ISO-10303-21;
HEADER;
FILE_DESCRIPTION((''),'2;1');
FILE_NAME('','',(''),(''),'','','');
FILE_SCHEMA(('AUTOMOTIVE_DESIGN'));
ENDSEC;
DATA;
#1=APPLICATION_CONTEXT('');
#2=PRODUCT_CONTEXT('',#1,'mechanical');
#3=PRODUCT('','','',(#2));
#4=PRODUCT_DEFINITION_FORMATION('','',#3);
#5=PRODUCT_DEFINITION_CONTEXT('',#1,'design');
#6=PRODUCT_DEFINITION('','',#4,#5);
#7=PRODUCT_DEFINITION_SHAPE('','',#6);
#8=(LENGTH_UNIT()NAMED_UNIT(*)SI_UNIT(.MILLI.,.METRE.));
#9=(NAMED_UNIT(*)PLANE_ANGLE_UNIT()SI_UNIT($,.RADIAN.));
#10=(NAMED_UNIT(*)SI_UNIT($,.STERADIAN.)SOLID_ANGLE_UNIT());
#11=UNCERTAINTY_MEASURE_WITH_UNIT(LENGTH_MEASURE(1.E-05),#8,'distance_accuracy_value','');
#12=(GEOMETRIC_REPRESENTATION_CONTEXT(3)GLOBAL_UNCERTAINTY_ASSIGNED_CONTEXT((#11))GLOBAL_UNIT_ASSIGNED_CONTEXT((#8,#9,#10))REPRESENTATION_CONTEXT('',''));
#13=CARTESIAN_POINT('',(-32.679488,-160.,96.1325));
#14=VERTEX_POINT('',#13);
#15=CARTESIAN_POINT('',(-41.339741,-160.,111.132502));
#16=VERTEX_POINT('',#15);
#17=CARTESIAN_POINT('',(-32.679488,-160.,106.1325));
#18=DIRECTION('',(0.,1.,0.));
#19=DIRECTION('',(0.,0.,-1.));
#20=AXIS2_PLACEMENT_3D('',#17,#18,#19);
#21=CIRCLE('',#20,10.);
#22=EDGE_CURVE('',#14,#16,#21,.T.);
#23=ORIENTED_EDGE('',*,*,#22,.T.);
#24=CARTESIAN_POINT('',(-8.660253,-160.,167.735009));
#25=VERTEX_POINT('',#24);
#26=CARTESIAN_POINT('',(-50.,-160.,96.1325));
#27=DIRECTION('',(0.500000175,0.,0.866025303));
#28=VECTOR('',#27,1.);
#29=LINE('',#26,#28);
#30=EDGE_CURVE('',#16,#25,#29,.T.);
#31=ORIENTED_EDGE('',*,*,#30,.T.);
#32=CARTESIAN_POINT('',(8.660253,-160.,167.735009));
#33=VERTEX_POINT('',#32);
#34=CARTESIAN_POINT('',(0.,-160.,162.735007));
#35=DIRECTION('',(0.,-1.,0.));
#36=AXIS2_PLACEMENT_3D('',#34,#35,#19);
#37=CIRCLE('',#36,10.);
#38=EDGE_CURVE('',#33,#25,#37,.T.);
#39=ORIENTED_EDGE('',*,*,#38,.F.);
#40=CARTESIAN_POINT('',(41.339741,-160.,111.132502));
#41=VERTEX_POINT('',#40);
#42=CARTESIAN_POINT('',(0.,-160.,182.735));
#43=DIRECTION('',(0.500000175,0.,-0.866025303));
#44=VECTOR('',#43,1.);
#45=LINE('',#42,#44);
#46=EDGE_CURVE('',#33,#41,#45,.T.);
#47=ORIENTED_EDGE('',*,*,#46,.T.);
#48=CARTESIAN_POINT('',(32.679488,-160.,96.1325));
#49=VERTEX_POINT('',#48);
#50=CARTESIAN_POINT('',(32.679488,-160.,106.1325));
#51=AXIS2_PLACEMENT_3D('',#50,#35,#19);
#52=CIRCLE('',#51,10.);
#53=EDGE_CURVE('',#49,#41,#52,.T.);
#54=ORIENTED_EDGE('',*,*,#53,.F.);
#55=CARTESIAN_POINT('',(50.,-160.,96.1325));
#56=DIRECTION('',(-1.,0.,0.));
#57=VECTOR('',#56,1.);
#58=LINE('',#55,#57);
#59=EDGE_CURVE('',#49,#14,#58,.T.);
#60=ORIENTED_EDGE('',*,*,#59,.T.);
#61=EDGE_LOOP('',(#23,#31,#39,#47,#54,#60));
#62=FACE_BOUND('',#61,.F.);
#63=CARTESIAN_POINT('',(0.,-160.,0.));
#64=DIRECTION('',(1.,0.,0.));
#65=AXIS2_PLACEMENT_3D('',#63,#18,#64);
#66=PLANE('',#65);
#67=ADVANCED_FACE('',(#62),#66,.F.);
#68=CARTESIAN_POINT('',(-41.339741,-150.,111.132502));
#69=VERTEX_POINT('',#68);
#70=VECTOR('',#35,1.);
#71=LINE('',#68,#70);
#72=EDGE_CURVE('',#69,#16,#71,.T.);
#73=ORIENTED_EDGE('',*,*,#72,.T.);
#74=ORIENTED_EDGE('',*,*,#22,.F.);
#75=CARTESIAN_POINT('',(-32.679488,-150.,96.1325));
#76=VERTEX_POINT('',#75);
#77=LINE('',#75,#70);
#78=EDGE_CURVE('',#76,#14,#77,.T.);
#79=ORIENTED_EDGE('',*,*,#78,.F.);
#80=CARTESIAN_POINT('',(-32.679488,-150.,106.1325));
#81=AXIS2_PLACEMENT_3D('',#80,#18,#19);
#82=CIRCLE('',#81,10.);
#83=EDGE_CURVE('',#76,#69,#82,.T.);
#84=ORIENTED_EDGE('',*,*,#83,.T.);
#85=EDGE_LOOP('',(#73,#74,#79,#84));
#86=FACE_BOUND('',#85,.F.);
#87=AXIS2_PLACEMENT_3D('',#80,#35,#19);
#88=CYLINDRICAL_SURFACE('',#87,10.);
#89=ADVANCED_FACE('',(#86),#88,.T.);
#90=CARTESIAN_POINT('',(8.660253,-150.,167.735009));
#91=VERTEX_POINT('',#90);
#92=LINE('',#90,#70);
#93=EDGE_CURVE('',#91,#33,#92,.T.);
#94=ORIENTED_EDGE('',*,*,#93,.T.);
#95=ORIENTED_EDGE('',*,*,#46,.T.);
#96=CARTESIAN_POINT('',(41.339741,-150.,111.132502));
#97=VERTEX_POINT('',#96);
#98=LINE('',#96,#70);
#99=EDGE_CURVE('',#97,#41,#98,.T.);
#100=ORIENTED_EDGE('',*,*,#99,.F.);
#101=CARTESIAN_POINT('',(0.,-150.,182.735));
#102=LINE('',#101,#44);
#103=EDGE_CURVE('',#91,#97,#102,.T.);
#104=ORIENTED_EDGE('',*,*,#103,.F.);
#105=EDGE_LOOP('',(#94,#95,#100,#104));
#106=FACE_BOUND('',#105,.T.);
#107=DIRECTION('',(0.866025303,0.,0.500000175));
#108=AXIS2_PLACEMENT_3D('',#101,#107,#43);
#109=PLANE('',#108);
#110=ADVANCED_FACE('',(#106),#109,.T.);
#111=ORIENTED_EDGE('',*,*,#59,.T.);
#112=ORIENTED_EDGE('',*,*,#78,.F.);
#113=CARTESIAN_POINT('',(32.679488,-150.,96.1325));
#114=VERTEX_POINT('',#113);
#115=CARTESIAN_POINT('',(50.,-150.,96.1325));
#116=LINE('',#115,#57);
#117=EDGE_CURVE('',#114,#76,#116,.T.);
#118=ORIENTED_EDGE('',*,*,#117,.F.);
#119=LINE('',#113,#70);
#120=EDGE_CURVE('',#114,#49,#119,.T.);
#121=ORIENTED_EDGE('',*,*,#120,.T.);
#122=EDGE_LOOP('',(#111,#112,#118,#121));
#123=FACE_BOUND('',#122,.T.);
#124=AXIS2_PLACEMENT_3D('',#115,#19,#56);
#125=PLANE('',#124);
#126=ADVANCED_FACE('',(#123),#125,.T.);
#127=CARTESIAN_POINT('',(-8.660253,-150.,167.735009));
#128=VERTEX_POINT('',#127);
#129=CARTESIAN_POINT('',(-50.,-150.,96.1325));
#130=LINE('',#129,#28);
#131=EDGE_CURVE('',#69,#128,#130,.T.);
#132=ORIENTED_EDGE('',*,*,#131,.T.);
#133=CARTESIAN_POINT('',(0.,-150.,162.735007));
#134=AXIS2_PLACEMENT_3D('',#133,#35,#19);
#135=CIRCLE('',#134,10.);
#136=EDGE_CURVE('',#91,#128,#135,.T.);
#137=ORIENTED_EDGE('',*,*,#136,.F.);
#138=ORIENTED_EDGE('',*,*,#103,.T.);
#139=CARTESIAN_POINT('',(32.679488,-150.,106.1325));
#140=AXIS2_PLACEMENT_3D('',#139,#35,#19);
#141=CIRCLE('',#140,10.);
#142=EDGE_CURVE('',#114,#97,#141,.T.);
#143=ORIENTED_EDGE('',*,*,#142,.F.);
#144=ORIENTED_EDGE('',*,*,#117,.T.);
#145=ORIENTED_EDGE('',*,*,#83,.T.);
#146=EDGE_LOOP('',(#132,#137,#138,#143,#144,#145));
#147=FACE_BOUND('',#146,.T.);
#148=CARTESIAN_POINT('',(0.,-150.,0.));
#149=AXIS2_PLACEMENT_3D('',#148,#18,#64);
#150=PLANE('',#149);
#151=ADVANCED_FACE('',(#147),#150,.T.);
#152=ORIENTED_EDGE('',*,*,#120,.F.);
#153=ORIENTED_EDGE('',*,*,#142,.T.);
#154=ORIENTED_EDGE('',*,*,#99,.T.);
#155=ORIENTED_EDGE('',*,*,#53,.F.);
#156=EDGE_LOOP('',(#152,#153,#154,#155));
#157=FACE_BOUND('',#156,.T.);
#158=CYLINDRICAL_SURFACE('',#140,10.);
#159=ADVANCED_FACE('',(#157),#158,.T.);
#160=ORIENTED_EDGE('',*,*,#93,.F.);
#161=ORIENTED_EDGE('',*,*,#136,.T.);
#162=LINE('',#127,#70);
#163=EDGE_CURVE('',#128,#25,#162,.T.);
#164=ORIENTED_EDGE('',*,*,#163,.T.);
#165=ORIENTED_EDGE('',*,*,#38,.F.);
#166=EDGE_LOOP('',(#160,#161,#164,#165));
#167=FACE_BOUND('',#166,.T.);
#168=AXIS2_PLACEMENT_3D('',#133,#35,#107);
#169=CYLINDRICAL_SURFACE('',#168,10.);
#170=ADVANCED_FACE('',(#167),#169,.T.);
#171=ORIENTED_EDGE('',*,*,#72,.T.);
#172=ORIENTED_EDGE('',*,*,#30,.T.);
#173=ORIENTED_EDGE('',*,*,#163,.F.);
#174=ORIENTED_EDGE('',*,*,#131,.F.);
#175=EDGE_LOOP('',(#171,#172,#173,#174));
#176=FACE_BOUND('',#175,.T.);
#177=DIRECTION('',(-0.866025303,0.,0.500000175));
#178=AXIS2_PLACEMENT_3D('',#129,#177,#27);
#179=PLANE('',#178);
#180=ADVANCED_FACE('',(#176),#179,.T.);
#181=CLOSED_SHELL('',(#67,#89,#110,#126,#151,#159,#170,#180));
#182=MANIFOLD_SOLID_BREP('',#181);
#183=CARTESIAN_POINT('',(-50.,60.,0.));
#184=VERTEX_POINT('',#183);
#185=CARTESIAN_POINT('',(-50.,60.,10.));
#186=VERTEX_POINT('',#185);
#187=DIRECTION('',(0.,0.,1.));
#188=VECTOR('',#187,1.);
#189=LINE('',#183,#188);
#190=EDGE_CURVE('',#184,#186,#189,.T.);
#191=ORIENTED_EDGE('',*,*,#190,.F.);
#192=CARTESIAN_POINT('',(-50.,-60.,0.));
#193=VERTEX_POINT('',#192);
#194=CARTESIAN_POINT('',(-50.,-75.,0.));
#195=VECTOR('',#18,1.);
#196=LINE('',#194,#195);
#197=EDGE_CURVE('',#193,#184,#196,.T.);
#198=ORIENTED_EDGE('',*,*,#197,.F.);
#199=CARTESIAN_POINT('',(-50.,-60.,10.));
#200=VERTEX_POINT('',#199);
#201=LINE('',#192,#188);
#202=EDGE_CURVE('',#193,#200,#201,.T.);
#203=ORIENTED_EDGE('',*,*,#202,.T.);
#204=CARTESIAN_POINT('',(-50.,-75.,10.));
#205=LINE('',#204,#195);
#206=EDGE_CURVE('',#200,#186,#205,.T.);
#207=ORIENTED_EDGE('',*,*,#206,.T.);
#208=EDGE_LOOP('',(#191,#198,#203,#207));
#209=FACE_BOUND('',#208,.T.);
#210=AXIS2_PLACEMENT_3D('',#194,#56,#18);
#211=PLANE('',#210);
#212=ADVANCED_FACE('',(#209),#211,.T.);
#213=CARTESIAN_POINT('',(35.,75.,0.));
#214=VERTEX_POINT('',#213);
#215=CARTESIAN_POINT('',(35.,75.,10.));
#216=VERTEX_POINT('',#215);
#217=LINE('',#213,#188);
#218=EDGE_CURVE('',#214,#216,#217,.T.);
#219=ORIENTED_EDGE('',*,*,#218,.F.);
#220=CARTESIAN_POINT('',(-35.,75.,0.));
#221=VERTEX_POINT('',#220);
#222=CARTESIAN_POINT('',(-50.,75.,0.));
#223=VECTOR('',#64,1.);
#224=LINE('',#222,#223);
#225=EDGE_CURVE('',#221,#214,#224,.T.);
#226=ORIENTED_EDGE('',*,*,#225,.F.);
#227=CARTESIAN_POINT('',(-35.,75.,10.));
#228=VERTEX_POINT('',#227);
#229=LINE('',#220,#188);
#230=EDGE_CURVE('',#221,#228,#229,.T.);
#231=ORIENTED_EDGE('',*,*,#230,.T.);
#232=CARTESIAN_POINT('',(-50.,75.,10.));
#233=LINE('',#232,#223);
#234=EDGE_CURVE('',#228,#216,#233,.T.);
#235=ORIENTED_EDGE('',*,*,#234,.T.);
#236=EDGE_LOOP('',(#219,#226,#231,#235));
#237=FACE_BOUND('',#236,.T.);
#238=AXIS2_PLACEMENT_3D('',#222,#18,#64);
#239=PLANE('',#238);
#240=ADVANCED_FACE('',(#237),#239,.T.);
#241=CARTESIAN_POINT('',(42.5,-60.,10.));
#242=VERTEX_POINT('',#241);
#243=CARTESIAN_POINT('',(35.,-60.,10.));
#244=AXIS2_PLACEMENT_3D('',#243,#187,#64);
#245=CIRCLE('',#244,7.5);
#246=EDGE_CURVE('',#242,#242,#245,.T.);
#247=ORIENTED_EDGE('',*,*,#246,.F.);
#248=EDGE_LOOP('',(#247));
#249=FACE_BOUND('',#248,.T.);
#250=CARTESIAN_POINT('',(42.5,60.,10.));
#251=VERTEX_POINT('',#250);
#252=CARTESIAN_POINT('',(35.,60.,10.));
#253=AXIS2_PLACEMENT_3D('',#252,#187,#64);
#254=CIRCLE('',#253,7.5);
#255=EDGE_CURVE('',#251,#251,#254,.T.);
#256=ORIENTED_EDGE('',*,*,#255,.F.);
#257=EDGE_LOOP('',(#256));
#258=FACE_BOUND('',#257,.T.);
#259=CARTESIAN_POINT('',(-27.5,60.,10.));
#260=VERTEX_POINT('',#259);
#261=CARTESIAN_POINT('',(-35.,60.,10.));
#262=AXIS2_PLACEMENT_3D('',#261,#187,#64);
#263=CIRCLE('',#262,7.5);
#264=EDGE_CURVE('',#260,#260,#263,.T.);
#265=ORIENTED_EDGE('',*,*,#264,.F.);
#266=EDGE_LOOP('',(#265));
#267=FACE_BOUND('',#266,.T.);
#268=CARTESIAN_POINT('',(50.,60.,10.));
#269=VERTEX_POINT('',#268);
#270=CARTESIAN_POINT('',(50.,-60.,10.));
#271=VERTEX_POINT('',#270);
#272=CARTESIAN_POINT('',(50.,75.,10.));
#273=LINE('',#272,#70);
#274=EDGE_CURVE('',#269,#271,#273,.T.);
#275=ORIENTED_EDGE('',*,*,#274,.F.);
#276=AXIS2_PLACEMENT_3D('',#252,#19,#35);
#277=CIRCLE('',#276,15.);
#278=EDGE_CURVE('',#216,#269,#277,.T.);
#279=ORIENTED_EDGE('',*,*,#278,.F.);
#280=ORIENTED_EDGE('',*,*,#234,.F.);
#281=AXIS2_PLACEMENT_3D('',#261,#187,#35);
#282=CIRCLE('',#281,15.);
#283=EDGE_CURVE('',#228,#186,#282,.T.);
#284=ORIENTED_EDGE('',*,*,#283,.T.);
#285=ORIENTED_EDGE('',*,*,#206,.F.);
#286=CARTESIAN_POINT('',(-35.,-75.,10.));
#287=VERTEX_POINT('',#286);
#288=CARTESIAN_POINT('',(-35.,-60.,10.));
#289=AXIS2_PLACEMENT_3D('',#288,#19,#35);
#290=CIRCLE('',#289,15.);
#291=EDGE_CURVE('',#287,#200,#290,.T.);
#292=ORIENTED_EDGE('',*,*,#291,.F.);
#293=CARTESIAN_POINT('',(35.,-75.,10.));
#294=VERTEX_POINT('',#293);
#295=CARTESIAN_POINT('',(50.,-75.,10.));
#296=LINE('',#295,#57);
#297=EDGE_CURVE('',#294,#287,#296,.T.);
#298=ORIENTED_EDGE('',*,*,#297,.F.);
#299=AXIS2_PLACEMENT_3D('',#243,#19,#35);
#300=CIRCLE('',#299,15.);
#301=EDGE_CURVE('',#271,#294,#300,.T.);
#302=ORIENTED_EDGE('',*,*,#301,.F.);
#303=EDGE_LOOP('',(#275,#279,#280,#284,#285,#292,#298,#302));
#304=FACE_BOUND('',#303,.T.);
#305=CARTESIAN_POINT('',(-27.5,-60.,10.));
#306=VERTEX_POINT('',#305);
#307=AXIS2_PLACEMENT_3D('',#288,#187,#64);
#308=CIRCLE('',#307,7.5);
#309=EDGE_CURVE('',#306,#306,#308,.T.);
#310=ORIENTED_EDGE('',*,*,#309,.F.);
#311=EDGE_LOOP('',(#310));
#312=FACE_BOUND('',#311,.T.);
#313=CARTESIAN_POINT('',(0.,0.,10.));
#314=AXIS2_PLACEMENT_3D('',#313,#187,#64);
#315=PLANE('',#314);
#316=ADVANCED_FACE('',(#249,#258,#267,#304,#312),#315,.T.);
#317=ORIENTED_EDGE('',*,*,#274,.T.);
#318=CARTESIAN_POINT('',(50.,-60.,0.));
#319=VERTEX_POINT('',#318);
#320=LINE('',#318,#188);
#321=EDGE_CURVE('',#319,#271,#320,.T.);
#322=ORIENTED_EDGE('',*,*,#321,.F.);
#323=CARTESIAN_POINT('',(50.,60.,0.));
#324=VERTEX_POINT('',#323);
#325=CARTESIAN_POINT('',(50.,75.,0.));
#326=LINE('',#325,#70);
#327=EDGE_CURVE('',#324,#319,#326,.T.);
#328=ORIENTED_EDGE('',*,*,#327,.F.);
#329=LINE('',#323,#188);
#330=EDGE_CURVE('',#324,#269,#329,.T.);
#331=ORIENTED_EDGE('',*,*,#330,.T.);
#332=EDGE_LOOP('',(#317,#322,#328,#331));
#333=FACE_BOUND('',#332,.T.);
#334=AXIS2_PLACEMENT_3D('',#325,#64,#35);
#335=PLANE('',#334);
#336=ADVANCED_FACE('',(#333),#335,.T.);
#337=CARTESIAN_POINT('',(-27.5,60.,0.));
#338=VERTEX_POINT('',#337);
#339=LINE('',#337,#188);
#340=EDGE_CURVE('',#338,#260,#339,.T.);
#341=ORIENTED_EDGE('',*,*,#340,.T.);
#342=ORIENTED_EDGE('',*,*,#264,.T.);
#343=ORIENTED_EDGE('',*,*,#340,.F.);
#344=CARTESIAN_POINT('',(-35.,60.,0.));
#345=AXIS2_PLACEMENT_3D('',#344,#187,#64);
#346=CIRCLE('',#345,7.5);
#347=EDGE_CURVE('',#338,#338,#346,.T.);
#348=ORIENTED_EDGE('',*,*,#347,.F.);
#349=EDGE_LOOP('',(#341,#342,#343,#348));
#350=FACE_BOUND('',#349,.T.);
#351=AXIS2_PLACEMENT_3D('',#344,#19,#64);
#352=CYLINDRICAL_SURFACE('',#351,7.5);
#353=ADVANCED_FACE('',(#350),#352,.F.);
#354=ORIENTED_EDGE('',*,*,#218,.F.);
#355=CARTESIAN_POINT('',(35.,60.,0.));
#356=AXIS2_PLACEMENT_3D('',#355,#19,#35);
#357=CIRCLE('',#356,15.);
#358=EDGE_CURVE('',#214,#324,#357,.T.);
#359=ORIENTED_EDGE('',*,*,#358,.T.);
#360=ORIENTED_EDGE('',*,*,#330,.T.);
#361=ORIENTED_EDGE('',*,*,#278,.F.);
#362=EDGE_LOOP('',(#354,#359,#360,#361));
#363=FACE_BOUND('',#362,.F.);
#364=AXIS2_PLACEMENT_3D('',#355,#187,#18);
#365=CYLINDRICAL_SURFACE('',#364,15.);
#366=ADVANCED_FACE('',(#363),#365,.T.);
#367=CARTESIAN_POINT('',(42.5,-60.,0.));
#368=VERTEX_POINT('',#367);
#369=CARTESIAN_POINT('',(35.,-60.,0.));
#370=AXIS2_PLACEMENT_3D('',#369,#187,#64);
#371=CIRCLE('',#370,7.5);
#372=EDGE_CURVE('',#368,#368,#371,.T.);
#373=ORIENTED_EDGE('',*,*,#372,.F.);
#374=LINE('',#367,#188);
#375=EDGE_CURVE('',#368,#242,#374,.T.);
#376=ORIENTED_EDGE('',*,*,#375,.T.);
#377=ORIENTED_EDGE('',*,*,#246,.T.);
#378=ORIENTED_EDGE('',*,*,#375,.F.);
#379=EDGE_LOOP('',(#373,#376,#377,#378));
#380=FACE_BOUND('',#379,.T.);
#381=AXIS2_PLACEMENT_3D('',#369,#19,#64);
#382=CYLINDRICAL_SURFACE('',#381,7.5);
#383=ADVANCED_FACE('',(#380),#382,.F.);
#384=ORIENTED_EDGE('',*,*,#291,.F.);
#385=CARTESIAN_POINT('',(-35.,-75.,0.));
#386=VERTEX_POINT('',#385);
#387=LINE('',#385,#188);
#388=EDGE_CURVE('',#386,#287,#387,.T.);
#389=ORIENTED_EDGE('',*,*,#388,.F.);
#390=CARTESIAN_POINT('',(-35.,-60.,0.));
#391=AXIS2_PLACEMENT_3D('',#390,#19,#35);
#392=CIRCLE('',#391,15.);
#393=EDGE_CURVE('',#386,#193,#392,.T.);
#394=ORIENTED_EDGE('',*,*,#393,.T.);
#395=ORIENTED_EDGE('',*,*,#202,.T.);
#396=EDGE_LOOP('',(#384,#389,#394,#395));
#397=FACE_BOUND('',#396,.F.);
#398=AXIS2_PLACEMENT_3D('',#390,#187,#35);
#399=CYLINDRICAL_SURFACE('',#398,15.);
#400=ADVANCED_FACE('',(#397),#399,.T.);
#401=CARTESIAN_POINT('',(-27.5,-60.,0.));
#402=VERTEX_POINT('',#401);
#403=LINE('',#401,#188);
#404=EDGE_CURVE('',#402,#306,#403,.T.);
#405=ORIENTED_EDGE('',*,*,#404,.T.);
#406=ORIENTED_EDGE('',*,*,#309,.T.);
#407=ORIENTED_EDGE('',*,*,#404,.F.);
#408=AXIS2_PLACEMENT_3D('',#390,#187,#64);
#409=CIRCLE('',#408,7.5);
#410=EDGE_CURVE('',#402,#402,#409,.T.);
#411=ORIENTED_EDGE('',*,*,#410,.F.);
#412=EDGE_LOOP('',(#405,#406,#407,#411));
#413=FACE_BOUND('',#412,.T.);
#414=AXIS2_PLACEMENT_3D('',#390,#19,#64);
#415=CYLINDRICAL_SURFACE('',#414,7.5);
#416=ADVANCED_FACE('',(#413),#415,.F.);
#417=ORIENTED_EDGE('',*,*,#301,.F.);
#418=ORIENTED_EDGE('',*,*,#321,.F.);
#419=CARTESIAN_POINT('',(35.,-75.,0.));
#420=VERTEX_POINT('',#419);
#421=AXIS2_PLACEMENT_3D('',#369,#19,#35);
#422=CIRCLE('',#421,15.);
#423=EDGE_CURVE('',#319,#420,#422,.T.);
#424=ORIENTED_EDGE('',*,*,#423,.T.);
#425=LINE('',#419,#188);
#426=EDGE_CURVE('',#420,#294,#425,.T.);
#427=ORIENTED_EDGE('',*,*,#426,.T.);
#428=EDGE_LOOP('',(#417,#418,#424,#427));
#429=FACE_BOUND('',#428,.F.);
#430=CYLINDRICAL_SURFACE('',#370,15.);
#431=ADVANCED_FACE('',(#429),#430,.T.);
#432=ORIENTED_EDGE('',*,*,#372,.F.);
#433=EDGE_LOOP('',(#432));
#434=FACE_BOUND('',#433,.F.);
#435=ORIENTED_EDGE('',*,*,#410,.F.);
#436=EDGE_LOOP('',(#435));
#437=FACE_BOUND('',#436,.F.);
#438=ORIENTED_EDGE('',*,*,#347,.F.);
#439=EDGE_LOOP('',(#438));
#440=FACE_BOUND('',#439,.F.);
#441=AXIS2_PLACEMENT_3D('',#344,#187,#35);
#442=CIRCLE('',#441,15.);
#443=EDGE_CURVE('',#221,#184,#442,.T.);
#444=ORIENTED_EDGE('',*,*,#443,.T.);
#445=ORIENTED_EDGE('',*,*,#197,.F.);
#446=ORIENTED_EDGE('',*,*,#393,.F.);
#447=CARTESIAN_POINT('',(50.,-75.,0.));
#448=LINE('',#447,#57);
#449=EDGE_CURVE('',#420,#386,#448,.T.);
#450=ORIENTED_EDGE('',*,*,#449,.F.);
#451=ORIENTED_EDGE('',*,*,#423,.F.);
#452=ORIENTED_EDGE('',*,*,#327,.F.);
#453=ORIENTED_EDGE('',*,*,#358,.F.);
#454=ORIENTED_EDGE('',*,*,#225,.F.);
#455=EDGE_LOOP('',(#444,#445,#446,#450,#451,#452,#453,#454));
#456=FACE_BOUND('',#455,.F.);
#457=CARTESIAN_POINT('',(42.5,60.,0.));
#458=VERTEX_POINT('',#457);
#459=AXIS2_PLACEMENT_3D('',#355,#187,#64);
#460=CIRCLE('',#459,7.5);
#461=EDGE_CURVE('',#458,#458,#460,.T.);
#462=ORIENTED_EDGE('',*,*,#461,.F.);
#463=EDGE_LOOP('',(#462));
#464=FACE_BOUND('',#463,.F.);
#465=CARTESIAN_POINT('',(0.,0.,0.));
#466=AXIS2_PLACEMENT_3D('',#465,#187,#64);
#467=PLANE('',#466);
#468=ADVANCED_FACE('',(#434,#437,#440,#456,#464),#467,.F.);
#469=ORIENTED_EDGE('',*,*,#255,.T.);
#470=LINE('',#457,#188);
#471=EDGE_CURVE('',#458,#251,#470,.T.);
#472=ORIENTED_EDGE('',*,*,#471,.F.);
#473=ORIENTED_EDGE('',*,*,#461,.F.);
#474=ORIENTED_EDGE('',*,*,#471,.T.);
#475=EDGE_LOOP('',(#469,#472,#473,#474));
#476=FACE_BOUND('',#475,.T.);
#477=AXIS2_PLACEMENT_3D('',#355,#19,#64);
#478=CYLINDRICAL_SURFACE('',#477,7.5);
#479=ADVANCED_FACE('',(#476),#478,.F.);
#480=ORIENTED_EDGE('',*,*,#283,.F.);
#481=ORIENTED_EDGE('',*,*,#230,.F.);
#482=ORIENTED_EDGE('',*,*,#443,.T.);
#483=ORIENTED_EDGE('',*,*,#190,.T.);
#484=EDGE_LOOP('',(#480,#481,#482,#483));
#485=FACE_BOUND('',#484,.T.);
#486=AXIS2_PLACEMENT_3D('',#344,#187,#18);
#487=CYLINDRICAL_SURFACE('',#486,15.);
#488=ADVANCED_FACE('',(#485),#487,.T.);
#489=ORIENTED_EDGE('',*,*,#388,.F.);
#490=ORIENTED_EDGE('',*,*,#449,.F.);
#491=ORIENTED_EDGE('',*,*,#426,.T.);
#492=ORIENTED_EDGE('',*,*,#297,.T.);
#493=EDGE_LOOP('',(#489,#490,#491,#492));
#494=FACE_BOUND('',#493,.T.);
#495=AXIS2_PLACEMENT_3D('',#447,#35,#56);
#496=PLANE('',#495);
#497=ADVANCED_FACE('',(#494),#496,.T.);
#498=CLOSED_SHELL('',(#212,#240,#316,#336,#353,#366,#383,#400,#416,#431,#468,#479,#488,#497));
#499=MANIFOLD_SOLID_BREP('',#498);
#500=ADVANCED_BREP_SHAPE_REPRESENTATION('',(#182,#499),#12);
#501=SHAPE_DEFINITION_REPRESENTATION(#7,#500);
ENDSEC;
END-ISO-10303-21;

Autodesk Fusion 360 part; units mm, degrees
sketch "Sketch1" plane through (0, 0, 0) normal (0, 0, 1) x (1, 0, 0) in component "Mounting Plate1"
  line L0 (-50, 75) -> (50, 75)
  line L1 (50, 75) -> (50, -75)
  line L2 (50, -75) -> (-50, -75)
  line L3 (-50, -75) -> (-50, 75)
  line L4 (-50, 75) -> (50, -75) construction
  line L5 (50, 75) -> (-50, -75) construction
  circle A0 centre (-35, 60) radius 7.5
  circle A1 centre (35, 60) radius 7.5
  line L6 (0, 0) -> (21.7934, 0) construction
  circle A2 centre (-35, -60) radius 7.5
  circle A3 centre (35, -60) radius 7.5
  dimension "d1" = 100
  dimension "d2" = 150
  dimension "d3" = 15
  dimension "d4" = 15
  dimension "d5" = 15
  dimension "d6" = 15
extrude "Extrude1" add sketch "Sketch1" along normal blind 10 makes body 1 in component "Mounting Plate1"
fillet "Fillet1" radius 15 4 edges at (-50, 75, 5) (50, 75, 5) (50, -75, 5) (-50, -75, 5) on bodies 1 in component "Mounting Plate1"
ref_plane "WorkPlane1" through (0, -150, 0) normal (0, 1, 0) x (0, 0, 1) in component "Mounting Plate1"
sketch "Sketch2" plane through (0, -150, 0) normal (0, 1, 0) x (1, 0, 0) in component "Mounting Plate1"
  line L0 (-35, -10) -> (35, -10)
  line L1 (0, 0) -> (0, -125) construction
  line L2 (-50, -96.1325) -> (0, -182.735)
  line L3 (0, -182.735) -> (50, -96.1325)
  line L4 (50, -96.1325) -> (-50, -96.1325)
  point P0 (0, -125)
  dimension "d11" = 125
  dimension "d12" = 100
extrude "Extrude2" add sketch "Sketch2" against normal blind 10 separate body makes body 2 in component "Mounting Plate1"
fillet "Fillet2" radius 10 3 edges at (0, -155, 182.735) (50, -155, 96.1325) (-50, -155, 96.1325) on bodies 2 in component "Mounting Plate1"
component "Mounting Plate1" placed x (1, 0, 0) y (0, 1, 0) z (0, 0, 1) at (0, 0, 0)
equation "d2 = ( 6 * 25 ) * 1 mm"
